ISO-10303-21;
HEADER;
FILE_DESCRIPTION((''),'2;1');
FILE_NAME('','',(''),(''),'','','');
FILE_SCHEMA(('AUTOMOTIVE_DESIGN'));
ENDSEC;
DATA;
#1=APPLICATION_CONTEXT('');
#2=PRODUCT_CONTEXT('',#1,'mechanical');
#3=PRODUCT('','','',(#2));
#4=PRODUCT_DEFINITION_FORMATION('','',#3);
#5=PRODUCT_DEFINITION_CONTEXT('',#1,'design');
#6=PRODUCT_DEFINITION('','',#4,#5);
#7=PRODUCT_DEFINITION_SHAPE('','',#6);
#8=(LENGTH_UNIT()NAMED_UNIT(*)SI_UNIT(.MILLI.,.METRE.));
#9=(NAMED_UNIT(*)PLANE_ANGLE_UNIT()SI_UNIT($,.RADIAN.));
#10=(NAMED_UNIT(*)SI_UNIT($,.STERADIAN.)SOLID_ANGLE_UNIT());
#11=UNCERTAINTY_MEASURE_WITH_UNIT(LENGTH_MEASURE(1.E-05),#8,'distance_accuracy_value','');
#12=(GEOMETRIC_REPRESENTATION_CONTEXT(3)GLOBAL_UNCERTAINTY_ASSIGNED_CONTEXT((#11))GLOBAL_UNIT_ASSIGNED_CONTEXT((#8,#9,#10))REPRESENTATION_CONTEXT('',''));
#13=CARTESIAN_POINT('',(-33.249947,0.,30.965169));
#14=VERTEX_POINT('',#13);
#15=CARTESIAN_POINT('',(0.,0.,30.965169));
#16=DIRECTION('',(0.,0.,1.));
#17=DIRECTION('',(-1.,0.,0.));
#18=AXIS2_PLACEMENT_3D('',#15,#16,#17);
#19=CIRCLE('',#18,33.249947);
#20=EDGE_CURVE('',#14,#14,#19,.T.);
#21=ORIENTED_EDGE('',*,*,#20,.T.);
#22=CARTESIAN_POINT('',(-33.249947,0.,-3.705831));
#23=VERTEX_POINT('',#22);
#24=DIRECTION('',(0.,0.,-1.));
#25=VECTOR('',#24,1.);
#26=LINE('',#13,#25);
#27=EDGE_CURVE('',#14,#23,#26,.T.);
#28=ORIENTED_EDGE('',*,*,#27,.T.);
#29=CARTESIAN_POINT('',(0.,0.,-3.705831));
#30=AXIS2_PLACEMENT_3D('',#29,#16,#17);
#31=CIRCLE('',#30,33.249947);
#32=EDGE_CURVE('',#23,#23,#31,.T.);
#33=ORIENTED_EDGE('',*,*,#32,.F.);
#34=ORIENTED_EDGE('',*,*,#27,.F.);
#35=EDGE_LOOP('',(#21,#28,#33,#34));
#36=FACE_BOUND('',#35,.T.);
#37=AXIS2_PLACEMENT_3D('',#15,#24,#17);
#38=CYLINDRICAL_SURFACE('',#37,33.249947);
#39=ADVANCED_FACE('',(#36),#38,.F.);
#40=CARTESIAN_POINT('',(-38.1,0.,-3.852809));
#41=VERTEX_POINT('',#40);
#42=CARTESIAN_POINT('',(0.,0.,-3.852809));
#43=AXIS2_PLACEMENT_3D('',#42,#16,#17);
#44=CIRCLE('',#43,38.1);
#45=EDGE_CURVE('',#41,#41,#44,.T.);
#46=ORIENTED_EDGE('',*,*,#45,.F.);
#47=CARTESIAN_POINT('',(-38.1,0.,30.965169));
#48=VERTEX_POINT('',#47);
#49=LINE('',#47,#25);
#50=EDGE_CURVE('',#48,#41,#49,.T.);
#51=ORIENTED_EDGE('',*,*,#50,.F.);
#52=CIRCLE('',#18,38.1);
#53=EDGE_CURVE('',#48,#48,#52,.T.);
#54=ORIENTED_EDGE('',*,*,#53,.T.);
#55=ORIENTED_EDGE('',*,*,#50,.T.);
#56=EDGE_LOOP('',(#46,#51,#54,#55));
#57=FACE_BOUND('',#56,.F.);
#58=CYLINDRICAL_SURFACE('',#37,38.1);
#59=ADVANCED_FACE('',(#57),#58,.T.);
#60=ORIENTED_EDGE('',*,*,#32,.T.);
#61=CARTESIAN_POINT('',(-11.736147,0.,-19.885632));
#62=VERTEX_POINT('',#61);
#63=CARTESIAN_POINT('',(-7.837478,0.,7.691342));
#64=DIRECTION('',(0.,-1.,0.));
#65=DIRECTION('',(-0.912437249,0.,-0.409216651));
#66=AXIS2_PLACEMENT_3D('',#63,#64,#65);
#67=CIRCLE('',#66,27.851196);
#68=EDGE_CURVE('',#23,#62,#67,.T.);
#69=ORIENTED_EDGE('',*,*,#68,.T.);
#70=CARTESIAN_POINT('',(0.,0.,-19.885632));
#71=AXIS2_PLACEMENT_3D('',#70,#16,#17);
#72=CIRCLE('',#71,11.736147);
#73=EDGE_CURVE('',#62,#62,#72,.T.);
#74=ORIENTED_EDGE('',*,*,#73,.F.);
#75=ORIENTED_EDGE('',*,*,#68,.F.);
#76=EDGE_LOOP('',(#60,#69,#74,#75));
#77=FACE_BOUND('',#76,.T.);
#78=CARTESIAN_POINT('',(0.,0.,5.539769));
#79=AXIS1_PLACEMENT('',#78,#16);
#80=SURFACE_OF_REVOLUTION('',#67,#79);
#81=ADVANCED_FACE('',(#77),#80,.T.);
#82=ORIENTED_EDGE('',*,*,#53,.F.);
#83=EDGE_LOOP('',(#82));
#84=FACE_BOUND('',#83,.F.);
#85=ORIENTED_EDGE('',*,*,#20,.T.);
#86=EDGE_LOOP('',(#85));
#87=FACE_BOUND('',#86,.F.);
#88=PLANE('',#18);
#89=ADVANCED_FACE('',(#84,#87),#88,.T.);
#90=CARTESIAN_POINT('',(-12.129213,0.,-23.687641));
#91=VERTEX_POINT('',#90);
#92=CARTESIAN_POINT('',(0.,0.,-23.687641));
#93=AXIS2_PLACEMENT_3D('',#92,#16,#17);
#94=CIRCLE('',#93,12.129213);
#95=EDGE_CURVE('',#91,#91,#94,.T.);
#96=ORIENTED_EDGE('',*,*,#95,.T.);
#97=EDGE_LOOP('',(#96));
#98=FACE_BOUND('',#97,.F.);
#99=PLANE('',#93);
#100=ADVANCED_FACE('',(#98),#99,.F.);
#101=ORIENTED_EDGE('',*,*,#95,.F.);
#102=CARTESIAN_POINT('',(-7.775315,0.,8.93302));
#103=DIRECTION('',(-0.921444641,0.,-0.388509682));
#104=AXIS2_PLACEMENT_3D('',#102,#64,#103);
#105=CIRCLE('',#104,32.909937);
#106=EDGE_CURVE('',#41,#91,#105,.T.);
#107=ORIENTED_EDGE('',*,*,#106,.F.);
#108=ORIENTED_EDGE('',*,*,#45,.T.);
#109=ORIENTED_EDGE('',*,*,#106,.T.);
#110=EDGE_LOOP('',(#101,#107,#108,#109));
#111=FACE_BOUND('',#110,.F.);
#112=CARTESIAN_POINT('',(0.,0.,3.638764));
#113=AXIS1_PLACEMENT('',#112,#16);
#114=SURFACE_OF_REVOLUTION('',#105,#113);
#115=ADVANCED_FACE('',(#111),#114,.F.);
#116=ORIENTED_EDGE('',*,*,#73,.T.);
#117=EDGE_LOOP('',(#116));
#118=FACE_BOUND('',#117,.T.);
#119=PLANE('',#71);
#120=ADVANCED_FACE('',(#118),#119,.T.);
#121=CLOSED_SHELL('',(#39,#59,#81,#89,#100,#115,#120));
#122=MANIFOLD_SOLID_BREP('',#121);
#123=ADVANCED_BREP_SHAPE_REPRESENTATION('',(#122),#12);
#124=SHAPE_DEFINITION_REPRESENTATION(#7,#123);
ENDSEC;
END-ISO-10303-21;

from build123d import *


with BuildPart() as f1:
    # F0 (on Front) → F1 (revolve)
    with BuildSketch(Plane.XZ):
        with BuildLine():
            Line((-12.129213, -23.687641), (0, -23.687641))
            Line((0, -23.687641), (0, 30.965169))
            Line((0, 30.965169), (-38.1, 30.965169))
            Line((-38.1, 30.965169), (-38.1, -3.852809))
            ThreePointArc((-38.1, -3.852809), (-27.750454, -17.221478), (-12.129213, -23.687641))
        make_face()
    revolve(axis=Axis((0, 0, 3.638764), (0, 0, 1)))

    # F2 (on Front) → F3 (revolve, cut)
    with BuildSketch(Plane.XZ):
        with BuildLine():
            Line((-11.736147, -19.885632), (0, -19.885632))
            Line((0, -19.885632), (0, 30.965169))
            Line((0, 30.965169), (-33.249947, 30.965169))
            Line((-33.249947, 30.965169), (-33.249947, -3.705831))
            ThreePointArc((-33.249947, -3.705831), (-24.577615, -14.56752), (-11.736147, -19.885632))
        make_face()
    revolve(axis=Axis((0, 0, 5.539769), (0, 0, 1)), mode=Mode.SUBTRACT)


solid = f1.part
